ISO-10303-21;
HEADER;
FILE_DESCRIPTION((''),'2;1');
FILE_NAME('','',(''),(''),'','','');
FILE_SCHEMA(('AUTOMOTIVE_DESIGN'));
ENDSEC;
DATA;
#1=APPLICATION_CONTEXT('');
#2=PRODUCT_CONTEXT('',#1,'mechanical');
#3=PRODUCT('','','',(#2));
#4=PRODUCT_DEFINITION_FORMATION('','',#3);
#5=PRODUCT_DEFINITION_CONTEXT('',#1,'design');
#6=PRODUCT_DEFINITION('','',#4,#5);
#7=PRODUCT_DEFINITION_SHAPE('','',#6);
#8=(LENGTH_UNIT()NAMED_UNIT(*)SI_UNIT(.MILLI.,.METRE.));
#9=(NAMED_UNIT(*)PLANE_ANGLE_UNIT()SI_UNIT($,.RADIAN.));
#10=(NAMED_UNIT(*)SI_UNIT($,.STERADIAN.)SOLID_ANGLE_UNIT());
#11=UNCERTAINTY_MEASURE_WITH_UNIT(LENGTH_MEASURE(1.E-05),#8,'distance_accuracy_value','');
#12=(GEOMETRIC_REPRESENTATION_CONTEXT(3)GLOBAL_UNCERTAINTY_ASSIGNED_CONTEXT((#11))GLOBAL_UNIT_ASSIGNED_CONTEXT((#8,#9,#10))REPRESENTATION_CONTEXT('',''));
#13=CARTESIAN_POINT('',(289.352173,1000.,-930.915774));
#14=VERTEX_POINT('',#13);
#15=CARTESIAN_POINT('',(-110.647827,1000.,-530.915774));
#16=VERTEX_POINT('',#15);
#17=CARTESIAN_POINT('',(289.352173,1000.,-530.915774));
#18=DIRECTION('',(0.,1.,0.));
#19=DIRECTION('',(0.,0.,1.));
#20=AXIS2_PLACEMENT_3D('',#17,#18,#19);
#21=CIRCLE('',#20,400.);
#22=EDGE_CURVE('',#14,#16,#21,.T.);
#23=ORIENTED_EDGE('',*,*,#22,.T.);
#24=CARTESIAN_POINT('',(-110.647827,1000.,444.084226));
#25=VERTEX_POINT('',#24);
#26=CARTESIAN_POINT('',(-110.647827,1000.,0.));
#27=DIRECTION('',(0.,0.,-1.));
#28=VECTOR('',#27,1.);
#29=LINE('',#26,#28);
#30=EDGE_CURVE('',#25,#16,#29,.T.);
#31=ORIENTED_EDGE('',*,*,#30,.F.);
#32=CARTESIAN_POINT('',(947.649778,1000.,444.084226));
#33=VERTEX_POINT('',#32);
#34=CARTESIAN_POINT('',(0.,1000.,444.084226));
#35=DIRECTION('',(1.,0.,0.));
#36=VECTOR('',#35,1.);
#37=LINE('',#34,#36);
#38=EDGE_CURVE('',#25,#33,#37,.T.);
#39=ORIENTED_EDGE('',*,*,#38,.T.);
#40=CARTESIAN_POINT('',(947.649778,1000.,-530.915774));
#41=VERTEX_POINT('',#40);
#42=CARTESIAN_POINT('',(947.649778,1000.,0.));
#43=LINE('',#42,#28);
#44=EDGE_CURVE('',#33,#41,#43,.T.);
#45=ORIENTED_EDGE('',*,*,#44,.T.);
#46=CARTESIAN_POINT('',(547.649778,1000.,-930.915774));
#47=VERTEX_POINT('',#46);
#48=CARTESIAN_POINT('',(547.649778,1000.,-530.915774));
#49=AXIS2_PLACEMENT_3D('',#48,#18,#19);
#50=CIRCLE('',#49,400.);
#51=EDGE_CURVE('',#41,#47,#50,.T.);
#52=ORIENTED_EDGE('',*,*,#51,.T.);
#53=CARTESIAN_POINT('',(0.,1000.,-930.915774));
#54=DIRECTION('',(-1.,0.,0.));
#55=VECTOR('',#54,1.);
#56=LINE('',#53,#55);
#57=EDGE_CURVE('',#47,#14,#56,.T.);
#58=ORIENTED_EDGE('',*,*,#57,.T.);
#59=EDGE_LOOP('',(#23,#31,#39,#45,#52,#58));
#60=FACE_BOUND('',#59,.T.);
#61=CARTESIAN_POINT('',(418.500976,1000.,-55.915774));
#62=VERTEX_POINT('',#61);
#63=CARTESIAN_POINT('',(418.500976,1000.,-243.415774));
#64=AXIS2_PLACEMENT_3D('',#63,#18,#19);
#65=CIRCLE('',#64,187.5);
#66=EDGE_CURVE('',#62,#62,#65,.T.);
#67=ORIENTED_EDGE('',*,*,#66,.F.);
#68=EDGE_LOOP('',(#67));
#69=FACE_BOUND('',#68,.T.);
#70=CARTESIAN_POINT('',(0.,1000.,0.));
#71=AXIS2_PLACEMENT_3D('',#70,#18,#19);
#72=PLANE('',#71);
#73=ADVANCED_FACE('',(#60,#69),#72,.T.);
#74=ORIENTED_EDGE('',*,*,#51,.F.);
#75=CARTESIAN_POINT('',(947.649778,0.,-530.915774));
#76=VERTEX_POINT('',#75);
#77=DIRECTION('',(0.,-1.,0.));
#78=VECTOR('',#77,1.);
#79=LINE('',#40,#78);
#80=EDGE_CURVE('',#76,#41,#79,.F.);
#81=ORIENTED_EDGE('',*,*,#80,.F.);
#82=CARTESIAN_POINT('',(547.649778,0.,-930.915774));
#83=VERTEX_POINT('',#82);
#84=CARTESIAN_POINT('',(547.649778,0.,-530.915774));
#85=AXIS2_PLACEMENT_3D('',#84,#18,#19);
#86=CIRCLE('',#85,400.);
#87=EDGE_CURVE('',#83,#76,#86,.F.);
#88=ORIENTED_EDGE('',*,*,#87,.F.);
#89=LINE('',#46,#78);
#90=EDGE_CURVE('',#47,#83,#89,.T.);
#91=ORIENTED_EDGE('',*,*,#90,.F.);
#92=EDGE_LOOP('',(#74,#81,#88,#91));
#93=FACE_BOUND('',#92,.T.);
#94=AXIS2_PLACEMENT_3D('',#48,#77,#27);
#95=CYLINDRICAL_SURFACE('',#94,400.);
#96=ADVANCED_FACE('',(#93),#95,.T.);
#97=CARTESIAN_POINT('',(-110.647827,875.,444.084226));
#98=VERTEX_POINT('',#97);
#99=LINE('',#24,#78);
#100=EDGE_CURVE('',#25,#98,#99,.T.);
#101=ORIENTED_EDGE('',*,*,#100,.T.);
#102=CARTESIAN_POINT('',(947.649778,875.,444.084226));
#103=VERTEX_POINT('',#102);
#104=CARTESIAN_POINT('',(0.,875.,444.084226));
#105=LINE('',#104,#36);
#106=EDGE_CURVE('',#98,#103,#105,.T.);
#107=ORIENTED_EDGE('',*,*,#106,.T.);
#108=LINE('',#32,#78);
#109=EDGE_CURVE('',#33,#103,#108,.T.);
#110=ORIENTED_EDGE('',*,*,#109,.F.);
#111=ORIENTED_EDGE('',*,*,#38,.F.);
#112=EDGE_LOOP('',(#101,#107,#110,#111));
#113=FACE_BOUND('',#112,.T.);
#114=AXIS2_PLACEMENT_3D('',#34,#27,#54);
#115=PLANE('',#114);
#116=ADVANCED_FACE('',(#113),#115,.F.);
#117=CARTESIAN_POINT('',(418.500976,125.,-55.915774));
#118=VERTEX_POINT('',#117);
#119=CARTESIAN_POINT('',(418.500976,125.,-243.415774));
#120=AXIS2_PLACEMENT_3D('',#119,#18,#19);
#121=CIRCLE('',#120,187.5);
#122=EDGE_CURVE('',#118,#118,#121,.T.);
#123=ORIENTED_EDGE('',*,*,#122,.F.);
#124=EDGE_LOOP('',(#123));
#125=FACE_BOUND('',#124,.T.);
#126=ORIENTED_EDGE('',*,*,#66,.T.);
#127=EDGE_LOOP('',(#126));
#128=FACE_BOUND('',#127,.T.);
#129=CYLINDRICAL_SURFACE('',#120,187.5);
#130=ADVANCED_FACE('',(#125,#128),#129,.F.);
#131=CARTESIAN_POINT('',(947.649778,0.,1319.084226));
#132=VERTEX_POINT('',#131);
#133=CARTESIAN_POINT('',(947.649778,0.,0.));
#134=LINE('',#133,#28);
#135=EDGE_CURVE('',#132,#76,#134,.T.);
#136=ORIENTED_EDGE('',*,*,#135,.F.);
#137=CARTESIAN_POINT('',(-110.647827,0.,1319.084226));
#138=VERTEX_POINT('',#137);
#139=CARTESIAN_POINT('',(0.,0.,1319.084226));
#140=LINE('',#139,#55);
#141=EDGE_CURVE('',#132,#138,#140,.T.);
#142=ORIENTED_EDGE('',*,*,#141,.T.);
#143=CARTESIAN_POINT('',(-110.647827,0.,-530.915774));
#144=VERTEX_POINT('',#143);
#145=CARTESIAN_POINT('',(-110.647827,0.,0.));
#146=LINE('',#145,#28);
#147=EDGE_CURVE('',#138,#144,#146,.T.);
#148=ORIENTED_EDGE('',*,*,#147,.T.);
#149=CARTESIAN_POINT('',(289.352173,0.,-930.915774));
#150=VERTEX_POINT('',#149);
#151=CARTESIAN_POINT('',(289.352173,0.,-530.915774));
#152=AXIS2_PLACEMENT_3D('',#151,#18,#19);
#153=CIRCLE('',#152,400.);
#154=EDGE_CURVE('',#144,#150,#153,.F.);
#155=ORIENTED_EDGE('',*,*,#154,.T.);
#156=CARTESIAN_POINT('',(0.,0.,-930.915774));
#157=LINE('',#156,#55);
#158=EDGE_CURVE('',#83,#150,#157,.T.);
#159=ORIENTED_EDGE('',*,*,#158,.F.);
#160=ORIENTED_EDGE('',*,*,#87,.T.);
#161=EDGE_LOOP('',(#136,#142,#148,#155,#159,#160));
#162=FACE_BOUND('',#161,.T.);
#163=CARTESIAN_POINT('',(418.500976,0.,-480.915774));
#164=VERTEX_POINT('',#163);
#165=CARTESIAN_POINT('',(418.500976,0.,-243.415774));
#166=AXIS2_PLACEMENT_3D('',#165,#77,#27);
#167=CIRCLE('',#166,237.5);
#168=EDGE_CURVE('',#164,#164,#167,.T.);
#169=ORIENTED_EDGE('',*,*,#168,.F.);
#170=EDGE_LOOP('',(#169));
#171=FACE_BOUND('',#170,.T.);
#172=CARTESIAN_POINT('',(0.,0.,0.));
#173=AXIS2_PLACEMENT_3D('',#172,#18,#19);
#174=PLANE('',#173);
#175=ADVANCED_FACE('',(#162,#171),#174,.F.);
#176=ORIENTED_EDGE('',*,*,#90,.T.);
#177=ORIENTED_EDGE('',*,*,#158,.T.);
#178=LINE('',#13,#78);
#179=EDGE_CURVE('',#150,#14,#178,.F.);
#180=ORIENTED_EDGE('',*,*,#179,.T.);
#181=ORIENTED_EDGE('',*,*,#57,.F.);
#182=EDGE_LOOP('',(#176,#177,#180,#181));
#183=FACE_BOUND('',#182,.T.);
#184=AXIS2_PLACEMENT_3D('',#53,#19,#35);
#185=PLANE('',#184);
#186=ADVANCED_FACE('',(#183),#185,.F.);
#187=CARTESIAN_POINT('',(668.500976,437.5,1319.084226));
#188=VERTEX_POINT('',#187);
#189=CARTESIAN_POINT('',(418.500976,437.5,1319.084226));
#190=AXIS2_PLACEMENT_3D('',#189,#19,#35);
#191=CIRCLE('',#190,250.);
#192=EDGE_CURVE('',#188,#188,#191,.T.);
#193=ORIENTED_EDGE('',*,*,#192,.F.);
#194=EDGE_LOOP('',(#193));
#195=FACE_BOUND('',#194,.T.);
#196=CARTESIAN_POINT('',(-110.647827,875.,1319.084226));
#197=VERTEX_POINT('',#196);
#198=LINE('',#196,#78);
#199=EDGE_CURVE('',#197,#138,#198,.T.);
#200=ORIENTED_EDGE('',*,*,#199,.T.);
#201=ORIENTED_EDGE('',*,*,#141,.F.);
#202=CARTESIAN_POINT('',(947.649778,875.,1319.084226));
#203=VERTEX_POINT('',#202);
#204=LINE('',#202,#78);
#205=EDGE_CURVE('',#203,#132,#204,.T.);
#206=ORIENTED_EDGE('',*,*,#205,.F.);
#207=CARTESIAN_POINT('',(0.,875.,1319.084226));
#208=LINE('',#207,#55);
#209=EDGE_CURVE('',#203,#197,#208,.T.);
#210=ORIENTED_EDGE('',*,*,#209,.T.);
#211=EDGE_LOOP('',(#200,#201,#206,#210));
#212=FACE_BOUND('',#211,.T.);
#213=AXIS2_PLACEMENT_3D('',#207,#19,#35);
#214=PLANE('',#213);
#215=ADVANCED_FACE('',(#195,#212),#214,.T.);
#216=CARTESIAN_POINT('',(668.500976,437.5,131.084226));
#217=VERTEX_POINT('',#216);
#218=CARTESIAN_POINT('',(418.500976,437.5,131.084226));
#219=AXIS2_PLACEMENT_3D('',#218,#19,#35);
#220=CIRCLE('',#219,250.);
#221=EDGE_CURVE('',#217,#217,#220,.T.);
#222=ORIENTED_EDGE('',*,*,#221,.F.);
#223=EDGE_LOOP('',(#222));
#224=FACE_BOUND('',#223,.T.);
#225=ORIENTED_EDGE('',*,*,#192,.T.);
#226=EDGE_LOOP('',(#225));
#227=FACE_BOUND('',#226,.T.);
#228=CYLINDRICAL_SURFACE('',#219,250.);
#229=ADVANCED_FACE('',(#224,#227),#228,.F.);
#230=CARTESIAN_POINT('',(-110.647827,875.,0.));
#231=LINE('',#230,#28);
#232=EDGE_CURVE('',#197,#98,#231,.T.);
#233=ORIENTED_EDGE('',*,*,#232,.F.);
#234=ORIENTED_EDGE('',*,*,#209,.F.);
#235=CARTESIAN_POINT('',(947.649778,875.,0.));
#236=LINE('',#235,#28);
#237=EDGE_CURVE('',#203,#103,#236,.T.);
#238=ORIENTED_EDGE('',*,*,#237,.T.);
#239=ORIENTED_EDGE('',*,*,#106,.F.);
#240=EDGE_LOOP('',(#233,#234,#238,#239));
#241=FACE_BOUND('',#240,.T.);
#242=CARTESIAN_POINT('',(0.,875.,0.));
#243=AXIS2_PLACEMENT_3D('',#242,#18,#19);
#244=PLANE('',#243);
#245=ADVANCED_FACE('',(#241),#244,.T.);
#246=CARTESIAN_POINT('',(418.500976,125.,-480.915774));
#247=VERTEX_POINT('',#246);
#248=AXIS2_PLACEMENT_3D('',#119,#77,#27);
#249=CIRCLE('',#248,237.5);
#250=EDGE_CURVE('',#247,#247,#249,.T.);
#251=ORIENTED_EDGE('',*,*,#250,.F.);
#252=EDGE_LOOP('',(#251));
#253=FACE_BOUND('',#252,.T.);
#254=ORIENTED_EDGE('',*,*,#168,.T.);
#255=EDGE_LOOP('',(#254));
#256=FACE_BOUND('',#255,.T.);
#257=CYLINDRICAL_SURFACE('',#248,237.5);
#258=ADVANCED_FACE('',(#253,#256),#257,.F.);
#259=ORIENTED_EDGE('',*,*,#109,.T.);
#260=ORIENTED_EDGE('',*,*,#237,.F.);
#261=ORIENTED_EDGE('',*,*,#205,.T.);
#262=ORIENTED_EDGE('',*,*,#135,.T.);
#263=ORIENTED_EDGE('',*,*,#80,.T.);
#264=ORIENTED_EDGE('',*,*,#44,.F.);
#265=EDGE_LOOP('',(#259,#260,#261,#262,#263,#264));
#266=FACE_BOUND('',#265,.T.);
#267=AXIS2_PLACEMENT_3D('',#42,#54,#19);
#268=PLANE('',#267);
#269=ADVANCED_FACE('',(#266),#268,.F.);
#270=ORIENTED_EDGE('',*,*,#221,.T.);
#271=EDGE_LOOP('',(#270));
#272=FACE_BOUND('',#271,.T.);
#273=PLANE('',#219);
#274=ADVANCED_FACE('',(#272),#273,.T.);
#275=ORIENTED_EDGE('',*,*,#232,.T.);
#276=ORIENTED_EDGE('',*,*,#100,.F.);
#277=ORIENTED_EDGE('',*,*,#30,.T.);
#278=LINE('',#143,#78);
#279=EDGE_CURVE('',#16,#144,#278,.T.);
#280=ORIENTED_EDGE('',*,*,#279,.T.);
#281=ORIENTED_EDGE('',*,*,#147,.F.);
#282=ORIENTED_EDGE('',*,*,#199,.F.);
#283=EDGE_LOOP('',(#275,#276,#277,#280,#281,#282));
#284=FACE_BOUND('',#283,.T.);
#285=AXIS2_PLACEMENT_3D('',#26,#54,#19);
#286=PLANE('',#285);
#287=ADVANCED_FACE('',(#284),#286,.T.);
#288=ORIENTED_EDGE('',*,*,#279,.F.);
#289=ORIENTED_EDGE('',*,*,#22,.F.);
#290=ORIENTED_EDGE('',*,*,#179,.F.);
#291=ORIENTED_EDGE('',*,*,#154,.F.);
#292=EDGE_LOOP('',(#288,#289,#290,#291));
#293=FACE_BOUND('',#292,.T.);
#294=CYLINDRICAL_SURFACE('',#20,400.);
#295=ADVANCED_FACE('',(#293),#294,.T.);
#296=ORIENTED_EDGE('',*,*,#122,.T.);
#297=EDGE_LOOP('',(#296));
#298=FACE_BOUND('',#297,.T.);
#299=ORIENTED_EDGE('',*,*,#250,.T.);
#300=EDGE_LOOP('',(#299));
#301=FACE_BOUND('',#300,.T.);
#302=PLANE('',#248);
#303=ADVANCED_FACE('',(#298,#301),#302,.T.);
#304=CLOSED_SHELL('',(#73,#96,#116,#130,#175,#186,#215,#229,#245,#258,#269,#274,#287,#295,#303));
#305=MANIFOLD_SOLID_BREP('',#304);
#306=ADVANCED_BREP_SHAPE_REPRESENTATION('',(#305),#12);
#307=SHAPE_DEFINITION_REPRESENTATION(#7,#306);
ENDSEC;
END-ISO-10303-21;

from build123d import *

# Parameters (mm, degrees)
SKETCH1_W           = 1058.297604825
SKETCH1_H           = 1375
BOSS_EXTRUDE4_DEPTH = 1000
SKETCH1_7_W         = 1058.297604825
SKETCH1_7_H         = 875
BOSS_EXTRUDE5_DEPTH = 875
SKETCH5_R           = 250
CUT_EXTRUDE1_DEPTH  = 1188
SKETCH6_R           = 187.5
CUT_EXTRUDE7_DEPTH  = 875
SKETCH7_R           = 237.5
CUT_EXTRUDE8_DEPTH  = 125
FILLET2_R           = 400


with BuildPart() as part:
    # Sketch1 → Boss-Extrude4 (new body)
    with BuildSketch(Plane(origin=(0, 0, 0), x_dir=(1, 0, 0), z_dir=(0, 1, 0))):
        with Locations((418.500975611, 243.415773734)):
            Rectangle(SKETCH1_W, SKETCH1_H)
    extrude(amount=BOSS_EXTRUDE4_DEPTH)

    # Sketch1<7> → Boss-Extrude5 (add)
    with BuildSketch(Plane(origin=(0, 0, 0), x_dir=(1, 0, 0), z_dir=(0, 1, 0))):
        with Locations((418.500975611, -881.584226266)):
            Rectangle(SKETCH1_7_W, SKETCH1_7_H)
    extrude(amount=BOSS_EXTRUDE5_DEPTH)

    # Sketch5 → Cut-Extrude1 (cut)
    with BuildSketch(Plane.XY.offset(1319.084226266)):
        with Locations((418.500975611, 437.5)):
            Circle(SKETCH5_R)
    extrude(amount=-CUT_EXTRUDE1_DEPTH, mode=Mode.SUBTRACT)

    # Sketch6 → Cut-Extrude7 (cut)
    with BuildSketch(Plane(origin=(0, 1000, 0), x_dir=(1, 0, 0), z_dir=(0, 1, 0))):
        with Locations((418.500975611, 243.415773734)):
            Circle(SKETCH6_R)
    extrude(amount=-CUT_EXTRUDE7_DEPTH, mode=Mode.SUBTRACT)

    # Sketch7 → Cut-Extrude8 (cut)
    with BuildSketch(Plane(origin=(0, 0, 0), x_dir=(-1, 0, 0), z_dir=(0, -1, 0))):
        with Locations((-418.500975611, 243.415773734)):
            Circle(SKETCH7_R)
    extrude(amount=-CUT_EXTRUDE8_DEPTH, mode=Mode.SUBTRACT)

    # Fillet2
    fillet2_edges = [part.edges().sort_by_distance(p)[0] for p in [
        (-110.647826802, 500, -930.915773734),
        (947.649778023, 500, -930.915773734),
    ]]
    fillet(fillet2_edges, radius=FILLET2_R)


solid = part.part
